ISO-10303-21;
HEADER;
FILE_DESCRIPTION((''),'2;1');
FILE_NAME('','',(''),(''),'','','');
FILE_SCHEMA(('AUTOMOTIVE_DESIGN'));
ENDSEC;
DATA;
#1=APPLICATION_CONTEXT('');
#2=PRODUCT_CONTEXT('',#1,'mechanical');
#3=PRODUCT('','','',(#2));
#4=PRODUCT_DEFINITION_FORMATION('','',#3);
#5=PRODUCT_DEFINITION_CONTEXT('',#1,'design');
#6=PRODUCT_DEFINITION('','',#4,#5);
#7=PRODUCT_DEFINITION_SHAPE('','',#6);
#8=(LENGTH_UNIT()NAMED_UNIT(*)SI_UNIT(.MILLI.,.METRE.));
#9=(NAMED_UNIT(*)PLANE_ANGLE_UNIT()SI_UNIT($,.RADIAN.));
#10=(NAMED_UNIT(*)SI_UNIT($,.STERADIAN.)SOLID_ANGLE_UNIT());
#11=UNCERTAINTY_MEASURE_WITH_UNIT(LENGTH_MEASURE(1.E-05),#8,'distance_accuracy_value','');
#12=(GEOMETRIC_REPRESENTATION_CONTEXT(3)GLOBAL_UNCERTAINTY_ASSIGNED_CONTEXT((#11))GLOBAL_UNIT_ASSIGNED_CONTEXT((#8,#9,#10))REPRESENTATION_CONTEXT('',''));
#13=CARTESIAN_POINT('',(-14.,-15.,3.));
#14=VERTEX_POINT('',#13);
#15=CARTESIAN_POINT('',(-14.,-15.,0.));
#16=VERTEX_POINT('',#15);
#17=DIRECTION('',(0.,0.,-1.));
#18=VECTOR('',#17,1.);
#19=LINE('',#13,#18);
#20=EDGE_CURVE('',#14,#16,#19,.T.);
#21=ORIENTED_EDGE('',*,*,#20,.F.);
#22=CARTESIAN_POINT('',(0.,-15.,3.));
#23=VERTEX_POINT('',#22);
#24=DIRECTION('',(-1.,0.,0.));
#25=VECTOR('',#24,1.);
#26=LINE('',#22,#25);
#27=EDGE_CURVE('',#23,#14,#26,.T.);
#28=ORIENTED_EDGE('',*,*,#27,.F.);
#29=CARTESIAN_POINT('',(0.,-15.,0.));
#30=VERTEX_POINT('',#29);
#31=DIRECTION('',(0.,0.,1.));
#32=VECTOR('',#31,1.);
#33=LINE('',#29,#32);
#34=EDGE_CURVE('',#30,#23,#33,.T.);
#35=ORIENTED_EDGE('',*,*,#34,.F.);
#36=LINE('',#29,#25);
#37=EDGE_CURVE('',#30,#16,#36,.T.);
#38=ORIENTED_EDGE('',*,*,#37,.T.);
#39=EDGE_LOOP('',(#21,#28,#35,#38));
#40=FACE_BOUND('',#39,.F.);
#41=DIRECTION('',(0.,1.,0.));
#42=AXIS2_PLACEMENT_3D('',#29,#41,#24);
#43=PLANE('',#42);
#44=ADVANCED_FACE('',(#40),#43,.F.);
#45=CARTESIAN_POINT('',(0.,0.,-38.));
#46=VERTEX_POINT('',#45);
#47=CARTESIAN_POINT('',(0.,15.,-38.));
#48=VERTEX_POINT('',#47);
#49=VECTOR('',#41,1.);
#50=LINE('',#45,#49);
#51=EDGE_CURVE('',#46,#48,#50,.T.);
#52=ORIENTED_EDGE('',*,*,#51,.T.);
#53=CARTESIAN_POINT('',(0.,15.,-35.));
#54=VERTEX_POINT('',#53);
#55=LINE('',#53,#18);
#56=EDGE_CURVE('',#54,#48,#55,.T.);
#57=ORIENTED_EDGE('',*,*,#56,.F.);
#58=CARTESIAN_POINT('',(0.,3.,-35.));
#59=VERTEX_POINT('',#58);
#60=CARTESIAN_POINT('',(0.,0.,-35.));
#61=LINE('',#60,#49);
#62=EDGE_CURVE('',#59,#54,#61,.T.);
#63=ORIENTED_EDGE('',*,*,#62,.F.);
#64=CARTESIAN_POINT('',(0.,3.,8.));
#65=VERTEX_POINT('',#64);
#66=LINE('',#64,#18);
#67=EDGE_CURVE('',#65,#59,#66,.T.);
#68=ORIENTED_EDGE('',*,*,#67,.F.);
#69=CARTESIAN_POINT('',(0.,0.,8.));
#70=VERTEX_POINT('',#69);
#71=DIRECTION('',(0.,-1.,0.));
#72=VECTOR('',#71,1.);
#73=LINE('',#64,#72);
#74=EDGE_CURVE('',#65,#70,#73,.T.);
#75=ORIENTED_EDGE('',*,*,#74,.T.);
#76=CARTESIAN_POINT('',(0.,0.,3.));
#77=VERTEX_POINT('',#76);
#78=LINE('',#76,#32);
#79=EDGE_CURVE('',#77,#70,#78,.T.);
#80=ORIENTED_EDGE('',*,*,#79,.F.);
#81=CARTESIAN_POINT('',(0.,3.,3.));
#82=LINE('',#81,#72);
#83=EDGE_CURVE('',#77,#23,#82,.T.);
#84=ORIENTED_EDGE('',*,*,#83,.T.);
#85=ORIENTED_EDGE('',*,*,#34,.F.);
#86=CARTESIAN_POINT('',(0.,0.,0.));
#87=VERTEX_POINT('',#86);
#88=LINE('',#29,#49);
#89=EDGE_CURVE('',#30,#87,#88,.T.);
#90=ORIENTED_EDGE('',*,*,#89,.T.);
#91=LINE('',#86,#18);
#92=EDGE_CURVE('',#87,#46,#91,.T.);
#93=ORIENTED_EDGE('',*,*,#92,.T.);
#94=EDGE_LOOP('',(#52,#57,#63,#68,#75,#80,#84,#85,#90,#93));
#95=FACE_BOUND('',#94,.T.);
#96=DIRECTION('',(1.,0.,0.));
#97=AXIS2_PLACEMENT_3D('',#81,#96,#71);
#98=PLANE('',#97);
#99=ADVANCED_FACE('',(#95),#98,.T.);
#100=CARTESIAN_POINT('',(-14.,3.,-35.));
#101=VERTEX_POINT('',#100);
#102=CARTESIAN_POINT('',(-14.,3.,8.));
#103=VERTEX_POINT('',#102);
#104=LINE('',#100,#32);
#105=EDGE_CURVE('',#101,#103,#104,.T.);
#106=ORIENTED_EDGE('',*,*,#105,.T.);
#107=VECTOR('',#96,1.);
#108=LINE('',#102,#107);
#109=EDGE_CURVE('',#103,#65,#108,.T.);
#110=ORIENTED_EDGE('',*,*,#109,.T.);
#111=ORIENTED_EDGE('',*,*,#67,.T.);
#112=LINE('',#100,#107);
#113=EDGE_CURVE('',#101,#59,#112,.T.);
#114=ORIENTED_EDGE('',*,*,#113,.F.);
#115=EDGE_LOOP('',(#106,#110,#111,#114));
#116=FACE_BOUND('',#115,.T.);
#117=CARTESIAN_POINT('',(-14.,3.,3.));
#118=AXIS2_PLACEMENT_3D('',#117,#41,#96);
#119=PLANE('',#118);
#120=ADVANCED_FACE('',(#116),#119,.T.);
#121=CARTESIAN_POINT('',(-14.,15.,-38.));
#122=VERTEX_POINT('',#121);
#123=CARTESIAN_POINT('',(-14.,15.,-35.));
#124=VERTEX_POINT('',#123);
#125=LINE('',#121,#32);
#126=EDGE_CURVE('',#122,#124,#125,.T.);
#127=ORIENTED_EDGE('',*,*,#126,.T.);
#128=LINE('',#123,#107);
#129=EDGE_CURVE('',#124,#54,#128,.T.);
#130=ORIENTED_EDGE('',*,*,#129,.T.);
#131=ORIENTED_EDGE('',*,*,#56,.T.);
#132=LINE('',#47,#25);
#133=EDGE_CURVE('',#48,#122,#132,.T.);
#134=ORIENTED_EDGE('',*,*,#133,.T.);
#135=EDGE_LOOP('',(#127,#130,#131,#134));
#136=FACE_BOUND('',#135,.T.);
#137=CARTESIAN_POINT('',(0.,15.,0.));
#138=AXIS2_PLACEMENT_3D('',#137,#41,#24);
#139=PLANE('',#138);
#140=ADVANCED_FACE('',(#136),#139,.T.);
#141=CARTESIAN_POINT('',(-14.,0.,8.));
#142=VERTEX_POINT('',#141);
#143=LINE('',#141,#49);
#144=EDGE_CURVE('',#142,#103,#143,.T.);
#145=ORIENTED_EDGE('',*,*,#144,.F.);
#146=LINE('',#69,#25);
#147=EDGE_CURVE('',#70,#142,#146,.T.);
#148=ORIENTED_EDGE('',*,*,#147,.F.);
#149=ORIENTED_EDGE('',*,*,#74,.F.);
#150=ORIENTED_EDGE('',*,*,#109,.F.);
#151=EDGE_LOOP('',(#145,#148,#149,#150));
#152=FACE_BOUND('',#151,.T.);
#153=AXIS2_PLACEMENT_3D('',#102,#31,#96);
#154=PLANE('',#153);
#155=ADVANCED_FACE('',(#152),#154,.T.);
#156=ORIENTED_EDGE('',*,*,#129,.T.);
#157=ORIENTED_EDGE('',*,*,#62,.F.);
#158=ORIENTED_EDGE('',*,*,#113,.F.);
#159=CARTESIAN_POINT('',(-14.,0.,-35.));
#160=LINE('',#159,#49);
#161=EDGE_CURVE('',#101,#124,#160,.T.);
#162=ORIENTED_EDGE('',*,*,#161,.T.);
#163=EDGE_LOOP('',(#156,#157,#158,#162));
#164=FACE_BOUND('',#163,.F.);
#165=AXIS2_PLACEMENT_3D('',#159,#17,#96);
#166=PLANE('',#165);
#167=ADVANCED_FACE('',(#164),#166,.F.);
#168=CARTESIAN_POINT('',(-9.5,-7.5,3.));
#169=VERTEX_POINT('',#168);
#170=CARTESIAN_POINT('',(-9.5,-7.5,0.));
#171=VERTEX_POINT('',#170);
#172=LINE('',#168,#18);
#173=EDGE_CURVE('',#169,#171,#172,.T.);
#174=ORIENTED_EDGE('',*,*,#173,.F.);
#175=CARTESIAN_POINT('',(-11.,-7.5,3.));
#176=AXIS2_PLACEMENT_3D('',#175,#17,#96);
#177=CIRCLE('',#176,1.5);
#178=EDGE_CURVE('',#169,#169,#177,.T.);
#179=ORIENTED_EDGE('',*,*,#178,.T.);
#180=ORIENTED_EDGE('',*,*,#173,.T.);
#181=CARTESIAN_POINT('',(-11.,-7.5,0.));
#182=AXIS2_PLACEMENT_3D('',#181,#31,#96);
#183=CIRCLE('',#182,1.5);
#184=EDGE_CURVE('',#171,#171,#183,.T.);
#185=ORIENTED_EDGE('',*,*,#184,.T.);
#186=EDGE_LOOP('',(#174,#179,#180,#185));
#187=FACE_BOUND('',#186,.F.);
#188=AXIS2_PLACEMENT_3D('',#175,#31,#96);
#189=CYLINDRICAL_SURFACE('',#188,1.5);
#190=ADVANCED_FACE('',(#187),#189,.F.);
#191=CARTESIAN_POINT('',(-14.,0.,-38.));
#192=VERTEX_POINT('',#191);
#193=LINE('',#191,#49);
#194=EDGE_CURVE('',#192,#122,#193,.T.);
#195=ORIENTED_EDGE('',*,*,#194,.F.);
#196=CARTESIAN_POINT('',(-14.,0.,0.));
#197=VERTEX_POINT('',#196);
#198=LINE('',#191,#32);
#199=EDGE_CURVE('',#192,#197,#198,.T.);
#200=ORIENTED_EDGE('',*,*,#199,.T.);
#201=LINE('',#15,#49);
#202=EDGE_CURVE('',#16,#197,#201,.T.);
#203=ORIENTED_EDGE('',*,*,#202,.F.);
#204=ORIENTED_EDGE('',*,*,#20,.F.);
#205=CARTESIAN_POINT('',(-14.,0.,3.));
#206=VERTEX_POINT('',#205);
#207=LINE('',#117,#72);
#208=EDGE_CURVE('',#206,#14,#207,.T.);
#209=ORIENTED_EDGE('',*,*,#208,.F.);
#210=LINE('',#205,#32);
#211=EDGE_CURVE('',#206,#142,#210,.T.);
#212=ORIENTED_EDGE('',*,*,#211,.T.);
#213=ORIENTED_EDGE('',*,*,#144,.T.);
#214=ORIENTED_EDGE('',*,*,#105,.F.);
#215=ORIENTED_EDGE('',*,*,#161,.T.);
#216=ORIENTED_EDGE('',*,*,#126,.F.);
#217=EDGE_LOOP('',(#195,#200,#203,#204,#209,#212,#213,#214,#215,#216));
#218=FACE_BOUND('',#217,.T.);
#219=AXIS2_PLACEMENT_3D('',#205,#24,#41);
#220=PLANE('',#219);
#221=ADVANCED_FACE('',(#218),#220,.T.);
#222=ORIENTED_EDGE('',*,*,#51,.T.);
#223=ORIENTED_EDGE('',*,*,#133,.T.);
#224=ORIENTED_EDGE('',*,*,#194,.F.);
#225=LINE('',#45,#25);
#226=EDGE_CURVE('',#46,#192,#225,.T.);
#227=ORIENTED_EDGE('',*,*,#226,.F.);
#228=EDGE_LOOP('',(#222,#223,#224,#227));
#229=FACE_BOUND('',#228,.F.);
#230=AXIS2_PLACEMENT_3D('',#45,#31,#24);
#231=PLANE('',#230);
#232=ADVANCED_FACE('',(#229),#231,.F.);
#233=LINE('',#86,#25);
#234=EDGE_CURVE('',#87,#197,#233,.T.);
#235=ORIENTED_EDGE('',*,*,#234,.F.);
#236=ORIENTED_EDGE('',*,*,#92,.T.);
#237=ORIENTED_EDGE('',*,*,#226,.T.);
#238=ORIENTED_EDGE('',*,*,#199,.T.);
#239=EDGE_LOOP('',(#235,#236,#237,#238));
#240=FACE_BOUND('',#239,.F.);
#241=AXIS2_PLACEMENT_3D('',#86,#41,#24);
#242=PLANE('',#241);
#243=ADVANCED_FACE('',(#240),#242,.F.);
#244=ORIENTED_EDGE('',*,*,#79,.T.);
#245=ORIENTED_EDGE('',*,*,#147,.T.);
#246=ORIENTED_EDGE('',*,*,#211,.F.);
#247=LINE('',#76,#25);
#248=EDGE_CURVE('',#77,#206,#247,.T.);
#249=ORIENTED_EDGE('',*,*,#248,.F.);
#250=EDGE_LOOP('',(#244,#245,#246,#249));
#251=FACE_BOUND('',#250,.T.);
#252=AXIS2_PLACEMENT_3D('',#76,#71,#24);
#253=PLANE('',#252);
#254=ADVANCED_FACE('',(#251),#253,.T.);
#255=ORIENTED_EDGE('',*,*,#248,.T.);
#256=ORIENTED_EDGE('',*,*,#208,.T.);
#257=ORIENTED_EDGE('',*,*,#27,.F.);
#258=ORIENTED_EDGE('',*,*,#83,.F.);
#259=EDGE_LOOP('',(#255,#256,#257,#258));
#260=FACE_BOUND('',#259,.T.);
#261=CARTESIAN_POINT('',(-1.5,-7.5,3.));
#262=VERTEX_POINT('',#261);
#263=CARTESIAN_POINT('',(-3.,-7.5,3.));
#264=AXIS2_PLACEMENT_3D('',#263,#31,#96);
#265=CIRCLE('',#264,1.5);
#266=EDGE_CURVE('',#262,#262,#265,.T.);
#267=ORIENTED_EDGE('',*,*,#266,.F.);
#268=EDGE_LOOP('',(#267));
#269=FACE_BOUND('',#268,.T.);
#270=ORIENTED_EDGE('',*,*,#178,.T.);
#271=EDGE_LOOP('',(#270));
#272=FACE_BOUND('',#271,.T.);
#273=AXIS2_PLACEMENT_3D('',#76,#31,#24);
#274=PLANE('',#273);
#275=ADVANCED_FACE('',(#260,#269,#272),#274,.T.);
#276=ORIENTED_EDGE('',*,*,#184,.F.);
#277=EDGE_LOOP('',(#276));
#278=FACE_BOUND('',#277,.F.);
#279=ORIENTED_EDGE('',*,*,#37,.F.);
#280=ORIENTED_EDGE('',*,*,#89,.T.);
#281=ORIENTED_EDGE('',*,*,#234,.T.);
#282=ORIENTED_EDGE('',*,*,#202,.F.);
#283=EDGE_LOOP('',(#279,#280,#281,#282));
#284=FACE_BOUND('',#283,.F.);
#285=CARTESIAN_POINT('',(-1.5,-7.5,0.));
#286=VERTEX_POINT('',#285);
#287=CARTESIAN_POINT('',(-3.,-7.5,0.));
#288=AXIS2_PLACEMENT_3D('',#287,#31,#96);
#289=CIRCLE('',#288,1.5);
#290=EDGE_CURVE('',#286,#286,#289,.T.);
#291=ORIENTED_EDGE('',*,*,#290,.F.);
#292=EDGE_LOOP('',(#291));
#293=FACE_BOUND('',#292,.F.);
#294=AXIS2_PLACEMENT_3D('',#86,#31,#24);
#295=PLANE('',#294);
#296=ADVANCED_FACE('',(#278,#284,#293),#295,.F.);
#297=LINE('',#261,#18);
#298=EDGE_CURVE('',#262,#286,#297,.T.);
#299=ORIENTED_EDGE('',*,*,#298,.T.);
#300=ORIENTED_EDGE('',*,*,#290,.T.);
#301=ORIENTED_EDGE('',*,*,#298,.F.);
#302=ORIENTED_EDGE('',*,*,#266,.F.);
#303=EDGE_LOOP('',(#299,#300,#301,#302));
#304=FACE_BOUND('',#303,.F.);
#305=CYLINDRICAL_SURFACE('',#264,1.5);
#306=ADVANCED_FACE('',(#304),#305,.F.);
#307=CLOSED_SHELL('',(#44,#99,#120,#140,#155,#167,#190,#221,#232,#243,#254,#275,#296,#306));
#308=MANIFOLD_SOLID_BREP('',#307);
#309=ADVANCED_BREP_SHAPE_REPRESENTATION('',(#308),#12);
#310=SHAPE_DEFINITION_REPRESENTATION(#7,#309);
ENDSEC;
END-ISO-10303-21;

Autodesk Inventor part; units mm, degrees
ref_plane "YZ Plane" through (0, 0, 0) normal (1, 0, 0) x (0, 1, 0)
ref_plane "XZ Plane" through (0, 0, 0) normal (0, 1, 0) x (-1, 0, 0)
ref_plane "XY Plane" through (0, 0, 0) normal (0, 0, 1) x (1, 0, 0)
sketch "Sketch1" plane through (0, 0, 0) normal (0, 1, 0) x (-1, 0, 0)
  line L0 (0, 0) -> (14, 0)
  line L1 (14, 0) -> (14, -35)
  line L2 (14, -35) -> (0, -35)
  line L3 (0, -35) -> (0, 0)
  line L4 (14, -35) -> (0, -35)
  line L5 (0, -35) -> (0, -38)
  line L6 (0, -38) -> (14, -38)
  line L7 (14, -38) -> (14, -35)
  line L8 (14, 0) -> (0, 0)
  line L9 (0, 0) -> (0, 3)
  line L10 (0, 3) -> (14, 3)
  line L11 (14, 3) -> (14, 0)
  dimension "d0" = 14
  dimension "d1" = 35
  dimension "d2" = 3
  dimension "d3" = 3
extrude "Extrusion1" add sketch "Sketch1" along normal blind 3 contours L0 L1 L2 L3
extrude "Extrusion2" add sketch "Sketch1" along normal blind 15 contours L2 L7 L6 L5
extrude "Extrusion3" add sketch "Sketch1" along normal blind 3 and the other way blind 15 contours L9 L10 L11 L0
sketch "Sketch2" plane through (-14, 3, 3) normal (0, 0, 1) x (1, 0, 0)
  line L0 (0, 0) -> (14, 0) projected
  line L1 (14, 0) -> (14, -3)
  line L2 (14, -3) -> (0, -3)
  line L3 (0, -3) -> (0, 0)
  line L4 (0, 0) -> (14, 0)
extrude "Extrusion4" add sketch "Sketch2" along normal blind 5
sketch "Sketch3" plane through (-14, -15, 3) normal (0, 0, 1) x (1, 0, 0)
  line L0 (14, 0) -> (14, 15) projected
  line L1 (14, 15) -> (14, 11)
  line L2 (14, 0) -> (0, 0) projected
  line L3 (14, 0) -> (14, 4)
  line L4 (0, 0) -> (0, 15) projected
  line L5 (0, 0) -> (0, 4)
  line L6 (0, 15) -> (0, 11)
  line L7 (14, 7.5) -> (10, 7.5)
  line L8 (0, 7.5) -> (4, 7.5)
  line L9 (10, 7.5) -> (11, 7.5)
  circle A0 centre (11, 7.5) radius 1.5
  line L10 (4, 7.5) -> (1, 7.5)
  line L11 (4, 7.5) -> (3, 7.5)
  circle A1 centre (3, 7.5) radius 1.5
  dimension "d18" = 4
  dimension "d20" = 4
  dimension "d28" = 4
  dimension "d29" = 4
  dimension "d32" = 1
  dimension "d33" = 3
  dimension "d34" = 3
  dimension "d35" = 1
  dimension "d36" = 3
extrude "Extrusion5" cut sketch "Sketch3" against normal blind 5
properties part number "holder"
